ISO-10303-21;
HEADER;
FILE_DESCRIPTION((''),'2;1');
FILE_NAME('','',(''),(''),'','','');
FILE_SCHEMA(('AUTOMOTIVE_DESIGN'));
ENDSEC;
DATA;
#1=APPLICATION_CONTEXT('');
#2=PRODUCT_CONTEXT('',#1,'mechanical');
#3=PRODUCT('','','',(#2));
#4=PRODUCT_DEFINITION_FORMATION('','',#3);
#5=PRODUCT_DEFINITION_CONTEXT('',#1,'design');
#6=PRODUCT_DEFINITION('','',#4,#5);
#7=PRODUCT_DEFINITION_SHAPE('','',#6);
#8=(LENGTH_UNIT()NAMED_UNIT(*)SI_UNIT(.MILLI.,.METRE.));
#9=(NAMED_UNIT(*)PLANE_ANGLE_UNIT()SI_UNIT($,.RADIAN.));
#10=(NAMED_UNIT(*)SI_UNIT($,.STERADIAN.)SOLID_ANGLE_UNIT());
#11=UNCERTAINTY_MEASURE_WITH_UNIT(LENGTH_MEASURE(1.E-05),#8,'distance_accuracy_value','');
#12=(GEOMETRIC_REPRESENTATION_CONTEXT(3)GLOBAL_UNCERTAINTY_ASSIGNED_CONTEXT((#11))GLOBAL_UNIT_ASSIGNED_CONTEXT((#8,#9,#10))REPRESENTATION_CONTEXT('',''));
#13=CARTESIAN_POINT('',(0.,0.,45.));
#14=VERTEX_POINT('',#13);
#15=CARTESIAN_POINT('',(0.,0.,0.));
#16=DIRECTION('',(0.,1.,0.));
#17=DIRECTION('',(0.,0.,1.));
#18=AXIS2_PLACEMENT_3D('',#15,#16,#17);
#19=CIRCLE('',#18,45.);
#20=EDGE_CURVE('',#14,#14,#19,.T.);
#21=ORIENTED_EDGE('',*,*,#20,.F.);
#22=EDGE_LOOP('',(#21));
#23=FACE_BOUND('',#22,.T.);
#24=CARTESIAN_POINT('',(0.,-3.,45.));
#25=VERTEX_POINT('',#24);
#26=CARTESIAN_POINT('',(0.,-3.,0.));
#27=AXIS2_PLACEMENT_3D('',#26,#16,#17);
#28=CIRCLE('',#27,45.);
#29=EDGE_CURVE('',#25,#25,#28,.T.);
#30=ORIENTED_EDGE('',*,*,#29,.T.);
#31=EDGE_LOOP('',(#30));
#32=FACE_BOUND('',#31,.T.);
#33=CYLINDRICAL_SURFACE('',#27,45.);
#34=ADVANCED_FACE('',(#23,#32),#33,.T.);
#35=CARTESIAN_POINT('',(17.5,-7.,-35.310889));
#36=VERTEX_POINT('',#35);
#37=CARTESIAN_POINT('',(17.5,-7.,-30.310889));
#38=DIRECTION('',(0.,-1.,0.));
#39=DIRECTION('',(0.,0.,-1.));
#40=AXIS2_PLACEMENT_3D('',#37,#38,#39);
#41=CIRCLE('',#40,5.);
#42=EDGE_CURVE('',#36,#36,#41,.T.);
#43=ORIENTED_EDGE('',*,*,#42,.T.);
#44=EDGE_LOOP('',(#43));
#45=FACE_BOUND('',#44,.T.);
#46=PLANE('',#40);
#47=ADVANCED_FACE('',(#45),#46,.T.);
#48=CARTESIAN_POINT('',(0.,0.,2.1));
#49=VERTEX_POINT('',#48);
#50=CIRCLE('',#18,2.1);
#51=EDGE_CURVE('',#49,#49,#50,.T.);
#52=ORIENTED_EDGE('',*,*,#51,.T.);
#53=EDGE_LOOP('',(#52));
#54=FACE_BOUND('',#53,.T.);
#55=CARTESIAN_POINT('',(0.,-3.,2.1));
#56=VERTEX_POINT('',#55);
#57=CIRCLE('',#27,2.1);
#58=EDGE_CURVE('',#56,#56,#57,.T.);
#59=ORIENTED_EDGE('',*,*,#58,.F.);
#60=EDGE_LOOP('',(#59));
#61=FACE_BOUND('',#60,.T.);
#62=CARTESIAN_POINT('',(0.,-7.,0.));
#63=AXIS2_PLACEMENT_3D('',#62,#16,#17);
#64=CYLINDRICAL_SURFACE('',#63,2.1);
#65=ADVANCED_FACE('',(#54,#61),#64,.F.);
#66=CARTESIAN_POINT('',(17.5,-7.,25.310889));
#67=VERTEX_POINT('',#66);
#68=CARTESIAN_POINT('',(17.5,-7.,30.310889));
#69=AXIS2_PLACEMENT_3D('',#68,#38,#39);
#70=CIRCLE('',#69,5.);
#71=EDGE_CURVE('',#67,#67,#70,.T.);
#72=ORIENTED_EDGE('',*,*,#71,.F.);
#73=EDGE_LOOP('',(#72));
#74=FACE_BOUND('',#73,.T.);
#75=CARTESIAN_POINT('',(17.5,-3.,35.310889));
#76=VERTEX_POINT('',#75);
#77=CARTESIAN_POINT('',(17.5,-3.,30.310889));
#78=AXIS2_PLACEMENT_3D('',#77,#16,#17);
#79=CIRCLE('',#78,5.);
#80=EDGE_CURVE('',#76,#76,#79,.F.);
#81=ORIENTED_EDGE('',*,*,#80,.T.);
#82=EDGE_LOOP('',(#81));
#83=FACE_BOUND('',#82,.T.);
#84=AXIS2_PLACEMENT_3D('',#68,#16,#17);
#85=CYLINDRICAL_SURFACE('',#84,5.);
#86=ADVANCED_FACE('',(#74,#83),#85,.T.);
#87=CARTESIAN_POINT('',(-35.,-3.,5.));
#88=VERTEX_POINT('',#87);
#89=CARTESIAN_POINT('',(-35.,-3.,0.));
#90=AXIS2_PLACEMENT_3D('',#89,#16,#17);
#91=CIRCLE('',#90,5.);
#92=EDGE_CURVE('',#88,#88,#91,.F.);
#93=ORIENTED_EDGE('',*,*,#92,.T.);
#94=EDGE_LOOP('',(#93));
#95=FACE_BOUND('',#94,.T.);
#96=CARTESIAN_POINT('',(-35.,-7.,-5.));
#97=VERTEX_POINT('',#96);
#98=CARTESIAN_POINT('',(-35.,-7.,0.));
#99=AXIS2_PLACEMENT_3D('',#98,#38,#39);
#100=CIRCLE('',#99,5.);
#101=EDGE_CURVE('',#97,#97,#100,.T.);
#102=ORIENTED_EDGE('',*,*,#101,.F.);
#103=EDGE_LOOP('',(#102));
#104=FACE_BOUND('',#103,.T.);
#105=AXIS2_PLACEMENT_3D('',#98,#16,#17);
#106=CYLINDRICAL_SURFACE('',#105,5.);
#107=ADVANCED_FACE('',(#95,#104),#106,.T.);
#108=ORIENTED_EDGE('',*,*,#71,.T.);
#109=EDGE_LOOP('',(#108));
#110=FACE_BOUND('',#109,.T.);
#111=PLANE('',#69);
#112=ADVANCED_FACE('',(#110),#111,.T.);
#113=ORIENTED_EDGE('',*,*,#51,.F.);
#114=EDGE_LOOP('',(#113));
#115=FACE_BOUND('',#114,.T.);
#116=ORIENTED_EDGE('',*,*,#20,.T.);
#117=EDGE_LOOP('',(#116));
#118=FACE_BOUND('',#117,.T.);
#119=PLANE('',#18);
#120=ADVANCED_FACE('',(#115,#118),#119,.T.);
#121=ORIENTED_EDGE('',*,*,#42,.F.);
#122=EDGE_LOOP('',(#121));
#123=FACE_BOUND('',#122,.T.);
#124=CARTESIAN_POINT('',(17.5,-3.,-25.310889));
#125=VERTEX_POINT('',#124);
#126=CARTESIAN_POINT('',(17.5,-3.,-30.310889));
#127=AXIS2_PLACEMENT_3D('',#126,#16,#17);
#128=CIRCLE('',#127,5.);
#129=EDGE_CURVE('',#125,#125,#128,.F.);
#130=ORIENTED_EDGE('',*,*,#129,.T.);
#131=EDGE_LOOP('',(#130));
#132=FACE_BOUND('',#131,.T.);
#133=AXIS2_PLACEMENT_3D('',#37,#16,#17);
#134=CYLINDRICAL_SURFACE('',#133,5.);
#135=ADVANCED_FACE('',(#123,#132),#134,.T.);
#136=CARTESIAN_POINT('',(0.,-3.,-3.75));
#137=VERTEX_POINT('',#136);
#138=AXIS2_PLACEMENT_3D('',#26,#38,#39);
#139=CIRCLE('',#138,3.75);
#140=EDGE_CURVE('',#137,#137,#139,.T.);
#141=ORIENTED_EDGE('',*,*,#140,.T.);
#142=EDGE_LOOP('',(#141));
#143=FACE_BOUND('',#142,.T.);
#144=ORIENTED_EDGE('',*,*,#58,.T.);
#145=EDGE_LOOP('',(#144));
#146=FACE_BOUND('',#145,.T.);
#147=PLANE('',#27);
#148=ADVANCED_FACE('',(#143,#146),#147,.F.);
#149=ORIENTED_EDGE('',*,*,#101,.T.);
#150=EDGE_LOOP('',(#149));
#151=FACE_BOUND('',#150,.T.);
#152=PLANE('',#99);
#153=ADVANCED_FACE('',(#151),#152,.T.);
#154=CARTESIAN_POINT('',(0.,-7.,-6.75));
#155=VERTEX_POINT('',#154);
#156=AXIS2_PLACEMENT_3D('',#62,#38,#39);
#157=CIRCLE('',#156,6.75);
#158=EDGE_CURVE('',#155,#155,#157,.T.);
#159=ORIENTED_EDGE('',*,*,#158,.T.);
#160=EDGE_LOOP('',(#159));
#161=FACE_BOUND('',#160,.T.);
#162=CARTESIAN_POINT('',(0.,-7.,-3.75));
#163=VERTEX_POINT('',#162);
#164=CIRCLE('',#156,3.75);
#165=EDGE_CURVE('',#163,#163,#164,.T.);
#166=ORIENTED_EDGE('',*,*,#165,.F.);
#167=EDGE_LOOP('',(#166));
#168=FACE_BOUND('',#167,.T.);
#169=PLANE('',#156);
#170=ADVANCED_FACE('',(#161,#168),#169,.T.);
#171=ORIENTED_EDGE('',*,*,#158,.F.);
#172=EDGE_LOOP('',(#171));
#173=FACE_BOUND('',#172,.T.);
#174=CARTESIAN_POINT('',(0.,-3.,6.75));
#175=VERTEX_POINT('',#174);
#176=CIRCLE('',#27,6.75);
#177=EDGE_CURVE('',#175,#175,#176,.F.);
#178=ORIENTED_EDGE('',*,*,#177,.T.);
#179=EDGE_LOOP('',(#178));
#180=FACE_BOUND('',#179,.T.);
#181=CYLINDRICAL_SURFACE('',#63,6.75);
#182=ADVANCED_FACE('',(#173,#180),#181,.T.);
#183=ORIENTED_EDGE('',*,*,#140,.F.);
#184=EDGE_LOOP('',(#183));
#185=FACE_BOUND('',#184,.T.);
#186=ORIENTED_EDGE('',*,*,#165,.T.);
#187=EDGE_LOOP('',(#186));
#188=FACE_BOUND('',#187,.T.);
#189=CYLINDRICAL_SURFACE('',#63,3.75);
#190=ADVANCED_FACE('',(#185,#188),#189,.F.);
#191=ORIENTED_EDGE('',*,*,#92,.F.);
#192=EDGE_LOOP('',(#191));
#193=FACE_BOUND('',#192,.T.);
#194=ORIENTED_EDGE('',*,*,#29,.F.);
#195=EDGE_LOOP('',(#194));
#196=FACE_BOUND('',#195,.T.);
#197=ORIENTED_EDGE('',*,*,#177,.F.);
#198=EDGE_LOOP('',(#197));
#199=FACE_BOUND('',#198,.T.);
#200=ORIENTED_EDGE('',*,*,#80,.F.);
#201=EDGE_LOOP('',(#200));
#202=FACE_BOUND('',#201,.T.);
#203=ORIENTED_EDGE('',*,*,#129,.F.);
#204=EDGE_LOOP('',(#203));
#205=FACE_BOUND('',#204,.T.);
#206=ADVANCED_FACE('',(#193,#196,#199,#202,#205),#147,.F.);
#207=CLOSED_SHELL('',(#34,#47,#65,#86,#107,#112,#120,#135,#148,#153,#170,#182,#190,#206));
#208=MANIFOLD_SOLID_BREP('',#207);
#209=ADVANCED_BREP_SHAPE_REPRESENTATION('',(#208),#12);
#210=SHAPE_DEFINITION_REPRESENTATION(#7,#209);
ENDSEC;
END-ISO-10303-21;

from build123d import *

# Parameters (mm, degrees)
ESQUISSE1_R             = 45
EXTRUSION1_DEPTH        = 3
ESQUISSE2_R             = 6.75
ESQUISSE2_R_2           = 3.75
ESQUISSE2_R_3           = 5
EXTRUSION2_DEPTH        = 4
ESQUISSE3_R             = 2.1
ENL_V_MAT_EXTRU_1_DEPTH = 8


with BuildPart() as part:
    # Esquisse1 → Extrusion1 (new body)
    with BuildSketch(Plane(origin=(0, 0, 0), x_dir=(1, 0, 0), z_dir=(0, 1, 0))):
        Circle(ESQUISSE1_R)
    extrude(amount=-EXTRUSION1_DEPTH)

    # Esquisse2 → Extrusion2 (add)
    with BuildSketch(Plane.XZ.offset(3)):
        Circle(ESQUISSE2_R)
        Circle(ESQUISSE2_R_2, mode=Mode.SUBTRACT)
        with Locations((-35, 0)):
            Circle(ESQUISSE2_R_3)
        with Locations((17.5, 30.310889132)):
            Circle(ESQUISSE2_R_3)
        with Locations((17.5, -30.310889132)):
            Circle(ESQUISSE2_R_3)
    extrude(amount=EXTRUSION2_DEPTH)

    # Esquisse3 → Enlèv. mat.-Extru.1 (cut, through all)
    with BuildSketch(Plane(origin=(0, 0, 0), x_dir=(1, 0, 0), z_dir=(0, 1, 0))):
        Circle(ESQUISSE3_R)
    extrude(amount=-ENL_V_MAT_EXTRU_1_DEPTH, mode=Mode.SUBTRACT)


solid = part.part
